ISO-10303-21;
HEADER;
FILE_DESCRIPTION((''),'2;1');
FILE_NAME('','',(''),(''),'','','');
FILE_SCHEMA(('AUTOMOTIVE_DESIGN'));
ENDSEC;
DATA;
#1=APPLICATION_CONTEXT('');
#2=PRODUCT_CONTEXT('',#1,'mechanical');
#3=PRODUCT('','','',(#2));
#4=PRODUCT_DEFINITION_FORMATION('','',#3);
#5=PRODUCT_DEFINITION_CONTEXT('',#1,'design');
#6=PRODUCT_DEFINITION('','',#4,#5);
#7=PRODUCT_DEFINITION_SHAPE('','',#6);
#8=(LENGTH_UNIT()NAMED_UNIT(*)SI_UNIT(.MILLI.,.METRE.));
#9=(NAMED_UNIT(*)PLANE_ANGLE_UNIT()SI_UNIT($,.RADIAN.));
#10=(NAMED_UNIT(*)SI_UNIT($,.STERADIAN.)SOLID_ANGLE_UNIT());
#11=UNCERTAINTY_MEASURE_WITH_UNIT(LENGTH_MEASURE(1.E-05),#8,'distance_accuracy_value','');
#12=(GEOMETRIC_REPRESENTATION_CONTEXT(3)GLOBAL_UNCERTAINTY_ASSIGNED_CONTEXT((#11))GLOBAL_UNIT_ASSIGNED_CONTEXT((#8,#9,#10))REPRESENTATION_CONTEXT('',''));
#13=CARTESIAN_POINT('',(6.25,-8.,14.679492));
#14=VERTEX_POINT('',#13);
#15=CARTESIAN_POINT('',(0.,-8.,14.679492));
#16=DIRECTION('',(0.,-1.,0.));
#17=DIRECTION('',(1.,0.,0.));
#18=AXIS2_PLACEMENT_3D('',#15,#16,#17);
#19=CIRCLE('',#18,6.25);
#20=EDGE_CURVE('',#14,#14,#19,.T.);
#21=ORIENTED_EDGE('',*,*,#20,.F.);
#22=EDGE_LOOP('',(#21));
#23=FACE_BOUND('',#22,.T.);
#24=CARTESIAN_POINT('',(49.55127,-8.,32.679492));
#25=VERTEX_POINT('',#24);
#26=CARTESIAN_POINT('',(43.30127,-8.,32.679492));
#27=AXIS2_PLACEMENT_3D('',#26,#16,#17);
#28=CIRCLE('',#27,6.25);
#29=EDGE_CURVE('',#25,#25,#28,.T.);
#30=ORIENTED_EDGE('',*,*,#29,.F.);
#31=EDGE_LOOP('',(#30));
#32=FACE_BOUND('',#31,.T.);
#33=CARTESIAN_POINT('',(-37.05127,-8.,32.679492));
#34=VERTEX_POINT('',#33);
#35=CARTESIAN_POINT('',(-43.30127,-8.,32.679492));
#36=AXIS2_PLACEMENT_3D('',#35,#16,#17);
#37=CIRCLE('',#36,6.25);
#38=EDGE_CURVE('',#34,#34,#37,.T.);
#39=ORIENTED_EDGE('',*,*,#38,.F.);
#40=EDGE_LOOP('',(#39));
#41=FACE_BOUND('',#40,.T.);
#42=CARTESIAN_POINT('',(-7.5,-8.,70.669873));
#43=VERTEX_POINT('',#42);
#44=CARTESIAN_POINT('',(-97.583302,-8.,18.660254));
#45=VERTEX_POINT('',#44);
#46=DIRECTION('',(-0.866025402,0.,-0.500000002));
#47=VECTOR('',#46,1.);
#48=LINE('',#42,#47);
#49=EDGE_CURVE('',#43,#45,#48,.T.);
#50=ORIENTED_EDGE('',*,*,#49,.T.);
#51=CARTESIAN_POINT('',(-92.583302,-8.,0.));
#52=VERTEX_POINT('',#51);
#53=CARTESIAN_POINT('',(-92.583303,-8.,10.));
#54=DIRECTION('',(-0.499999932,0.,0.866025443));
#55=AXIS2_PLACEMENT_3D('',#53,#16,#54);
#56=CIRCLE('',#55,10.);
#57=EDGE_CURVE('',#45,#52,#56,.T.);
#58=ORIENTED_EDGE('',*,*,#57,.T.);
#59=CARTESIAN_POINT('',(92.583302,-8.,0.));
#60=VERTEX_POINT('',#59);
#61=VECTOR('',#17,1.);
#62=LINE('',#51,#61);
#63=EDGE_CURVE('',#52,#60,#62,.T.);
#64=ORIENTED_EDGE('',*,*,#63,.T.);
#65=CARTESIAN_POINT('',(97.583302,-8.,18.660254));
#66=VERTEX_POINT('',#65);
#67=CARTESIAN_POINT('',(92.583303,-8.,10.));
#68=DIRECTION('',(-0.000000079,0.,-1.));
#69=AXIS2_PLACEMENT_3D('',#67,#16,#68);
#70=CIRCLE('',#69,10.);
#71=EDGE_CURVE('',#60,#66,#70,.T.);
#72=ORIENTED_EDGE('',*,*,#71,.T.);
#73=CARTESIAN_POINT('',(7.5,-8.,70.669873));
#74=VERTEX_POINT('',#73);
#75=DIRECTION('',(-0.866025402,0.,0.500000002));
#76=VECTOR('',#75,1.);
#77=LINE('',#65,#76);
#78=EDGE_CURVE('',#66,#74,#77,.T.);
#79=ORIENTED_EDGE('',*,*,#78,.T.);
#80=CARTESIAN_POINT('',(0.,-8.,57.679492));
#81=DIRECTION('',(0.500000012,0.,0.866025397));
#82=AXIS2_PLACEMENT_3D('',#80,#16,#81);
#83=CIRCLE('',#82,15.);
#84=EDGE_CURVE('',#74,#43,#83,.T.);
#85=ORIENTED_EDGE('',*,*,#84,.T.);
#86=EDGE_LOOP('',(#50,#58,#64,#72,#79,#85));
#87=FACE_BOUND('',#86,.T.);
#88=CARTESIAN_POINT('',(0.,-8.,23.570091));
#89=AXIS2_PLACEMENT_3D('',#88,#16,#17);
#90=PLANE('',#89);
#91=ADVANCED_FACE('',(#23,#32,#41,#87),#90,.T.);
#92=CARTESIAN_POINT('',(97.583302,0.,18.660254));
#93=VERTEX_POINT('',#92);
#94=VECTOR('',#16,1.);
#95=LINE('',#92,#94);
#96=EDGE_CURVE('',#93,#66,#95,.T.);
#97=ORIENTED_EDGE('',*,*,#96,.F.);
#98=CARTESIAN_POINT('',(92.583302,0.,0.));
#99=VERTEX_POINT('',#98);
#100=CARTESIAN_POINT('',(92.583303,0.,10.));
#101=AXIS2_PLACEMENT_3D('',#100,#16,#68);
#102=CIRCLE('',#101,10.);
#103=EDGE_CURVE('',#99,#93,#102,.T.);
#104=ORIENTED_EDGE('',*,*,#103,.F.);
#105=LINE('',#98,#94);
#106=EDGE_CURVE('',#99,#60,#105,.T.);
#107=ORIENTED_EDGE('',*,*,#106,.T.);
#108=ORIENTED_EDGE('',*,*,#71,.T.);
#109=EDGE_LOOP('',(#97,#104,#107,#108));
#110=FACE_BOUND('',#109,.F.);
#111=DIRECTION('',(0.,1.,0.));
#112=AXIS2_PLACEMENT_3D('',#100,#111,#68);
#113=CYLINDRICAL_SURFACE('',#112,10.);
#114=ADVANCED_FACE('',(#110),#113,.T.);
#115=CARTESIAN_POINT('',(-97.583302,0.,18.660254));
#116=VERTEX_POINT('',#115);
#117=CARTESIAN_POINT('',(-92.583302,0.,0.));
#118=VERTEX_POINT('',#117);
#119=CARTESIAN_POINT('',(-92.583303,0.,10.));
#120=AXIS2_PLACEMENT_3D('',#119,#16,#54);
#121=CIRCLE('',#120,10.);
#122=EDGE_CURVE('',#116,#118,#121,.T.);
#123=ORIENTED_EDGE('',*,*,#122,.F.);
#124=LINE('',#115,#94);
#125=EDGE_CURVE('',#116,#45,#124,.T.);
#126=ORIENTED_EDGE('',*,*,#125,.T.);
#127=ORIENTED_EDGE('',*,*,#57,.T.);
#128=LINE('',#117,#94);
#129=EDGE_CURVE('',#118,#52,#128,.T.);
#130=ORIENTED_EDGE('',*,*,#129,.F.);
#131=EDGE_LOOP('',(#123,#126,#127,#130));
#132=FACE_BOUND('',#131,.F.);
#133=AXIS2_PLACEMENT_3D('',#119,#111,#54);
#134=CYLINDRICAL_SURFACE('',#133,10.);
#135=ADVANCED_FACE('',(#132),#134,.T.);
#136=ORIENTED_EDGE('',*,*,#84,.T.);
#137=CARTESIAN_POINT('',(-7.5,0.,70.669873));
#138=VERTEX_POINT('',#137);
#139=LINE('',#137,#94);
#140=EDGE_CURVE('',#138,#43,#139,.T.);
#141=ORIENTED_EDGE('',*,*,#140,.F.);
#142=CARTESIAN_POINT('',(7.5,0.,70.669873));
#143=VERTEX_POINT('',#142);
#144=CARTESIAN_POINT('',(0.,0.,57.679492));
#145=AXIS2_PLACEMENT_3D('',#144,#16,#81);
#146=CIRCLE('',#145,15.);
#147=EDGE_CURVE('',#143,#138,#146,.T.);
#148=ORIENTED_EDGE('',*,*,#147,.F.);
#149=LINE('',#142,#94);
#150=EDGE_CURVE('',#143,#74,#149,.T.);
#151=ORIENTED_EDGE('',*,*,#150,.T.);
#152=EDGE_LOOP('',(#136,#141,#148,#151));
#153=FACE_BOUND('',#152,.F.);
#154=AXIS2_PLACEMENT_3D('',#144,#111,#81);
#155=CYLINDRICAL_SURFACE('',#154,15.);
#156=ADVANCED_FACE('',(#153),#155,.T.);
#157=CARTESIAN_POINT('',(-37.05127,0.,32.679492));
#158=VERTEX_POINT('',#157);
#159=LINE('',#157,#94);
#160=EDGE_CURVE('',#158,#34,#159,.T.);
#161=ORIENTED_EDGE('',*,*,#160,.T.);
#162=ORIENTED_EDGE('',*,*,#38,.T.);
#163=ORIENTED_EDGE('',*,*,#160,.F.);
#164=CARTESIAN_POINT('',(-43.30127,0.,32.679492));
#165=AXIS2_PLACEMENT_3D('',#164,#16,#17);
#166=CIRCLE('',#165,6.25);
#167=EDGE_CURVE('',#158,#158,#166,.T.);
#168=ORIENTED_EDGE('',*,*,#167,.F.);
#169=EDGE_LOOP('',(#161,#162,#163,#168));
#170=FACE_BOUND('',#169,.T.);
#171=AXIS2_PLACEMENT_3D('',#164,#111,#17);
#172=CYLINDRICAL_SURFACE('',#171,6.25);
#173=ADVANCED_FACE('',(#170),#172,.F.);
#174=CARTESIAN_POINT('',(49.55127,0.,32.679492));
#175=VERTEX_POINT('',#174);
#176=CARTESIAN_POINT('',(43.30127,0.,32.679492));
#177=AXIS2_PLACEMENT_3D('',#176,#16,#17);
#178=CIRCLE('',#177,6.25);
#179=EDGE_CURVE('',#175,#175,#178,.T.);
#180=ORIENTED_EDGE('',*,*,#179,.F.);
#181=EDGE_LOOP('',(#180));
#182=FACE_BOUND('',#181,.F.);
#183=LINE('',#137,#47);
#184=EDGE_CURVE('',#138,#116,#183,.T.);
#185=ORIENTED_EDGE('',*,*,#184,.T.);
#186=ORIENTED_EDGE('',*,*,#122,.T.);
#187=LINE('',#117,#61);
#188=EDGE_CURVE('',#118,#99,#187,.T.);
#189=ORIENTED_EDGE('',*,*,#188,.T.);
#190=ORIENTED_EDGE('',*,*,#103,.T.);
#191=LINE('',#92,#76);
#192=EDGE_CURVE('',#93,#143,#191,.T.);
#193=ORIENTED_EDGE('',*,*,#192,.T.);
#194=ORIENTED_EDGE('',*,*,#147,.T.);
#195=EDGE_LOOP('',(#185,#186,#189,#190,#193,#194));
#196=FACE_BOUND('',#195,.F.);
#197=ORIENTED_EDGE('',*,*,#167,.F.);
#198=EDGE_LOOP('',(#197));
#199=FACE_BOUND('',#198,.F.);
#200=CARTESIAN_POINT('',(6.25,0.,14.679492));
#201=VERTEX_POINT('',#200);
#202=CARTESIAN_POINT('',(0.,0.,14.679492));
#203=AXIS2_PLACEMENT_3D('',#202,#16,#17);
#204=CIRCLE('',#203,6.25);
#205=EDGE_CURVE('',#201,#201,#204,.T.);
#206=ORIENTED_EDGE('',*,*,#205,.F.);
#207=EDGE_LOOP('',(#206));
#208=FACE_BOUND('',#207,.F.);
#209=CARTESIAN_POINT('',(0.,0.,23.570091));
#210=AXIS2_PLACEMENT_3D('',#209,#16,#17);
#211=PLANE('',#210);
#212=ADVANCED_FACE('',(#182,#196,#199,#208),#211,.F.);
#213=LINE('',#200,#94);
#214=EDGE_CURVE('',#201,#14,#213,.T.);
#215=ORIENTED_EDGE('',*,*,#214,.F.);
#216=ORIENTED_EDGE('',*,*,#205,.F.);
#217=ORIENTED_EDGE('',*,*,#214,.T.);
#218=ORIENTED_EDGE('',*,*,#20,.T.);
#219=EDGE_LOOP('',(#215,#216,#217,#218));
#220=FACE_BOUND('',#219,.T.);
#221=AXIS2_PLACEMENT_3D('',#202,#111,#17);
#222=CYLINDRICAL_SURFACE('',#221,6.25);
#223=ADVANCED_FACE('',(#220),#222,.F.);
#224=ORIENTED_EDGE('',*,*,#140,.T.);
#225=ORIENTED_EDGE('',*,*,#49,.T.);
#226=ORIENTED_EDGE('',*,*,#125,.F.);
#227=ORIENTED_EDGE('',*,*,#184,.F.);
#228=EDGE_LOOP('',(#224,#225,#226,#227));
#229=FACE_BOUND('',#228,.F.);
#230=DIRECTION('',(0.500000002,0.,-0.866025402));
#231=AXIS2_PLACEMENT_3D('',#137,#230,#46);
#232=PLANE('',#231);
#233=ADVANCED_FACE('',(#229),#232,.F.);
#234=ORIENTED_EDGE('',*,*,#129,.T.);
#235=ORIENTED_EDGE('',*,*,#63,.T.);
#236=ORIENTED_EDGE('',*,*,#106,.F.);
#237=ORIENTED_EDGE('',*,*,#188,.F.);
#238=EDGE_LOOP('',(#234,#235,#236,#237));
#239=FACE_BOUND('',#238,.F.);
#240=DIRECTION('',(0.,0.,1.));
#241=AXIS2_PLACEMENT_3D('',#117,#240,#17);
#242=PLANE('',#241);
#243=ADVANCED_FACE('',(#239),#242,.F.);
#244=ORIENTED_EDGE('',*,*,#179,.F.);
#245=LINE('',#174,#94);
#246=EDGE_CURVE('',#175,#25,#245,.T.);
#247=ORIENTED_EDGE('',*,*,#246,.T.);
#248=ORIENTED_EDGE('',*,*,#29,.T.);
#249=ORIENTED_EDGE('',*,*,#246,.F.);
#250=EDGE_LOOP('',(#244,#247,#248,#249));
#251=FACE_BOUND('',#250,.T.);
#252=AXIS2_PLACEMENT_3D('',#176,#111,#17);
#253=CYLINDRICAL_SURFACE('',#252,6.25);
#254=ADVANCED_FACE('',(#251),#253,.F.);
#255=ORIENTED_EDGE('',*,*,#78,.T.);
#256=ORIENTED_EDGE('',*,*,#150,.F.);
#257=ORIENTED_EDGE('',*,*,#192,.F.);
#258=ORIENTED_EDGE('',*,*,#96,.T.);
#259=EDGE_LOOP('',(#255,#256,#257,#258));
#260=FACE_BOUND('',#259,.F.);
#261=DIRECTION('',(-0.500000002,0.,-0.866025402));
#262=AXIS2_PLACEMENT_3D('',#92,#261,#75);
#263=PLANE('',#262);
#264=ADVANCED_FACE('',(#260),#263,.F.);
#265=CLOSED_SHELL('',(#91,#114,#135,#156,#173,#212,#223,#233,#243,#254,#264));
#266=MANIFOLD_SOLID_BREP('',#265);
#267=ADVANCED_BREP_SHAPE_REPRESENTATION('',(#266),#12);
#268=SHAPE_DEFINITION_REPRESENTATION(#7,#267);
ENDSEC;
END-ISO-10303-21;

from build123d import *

# Parameters (mm, degrees)
F0_R     = 6.25
F1_DEPTH = 8


with BuildPart() as f1:
    # F0 (on Front) → F1 (new body)
    with BuildSketch(Plane.XZ):
        with BuildLine():
            Line((-92.583302, 0), (0, 0))
            Line((0, 0), (92.583302, 0))
            ThreePointArc((92.583302, 0), (102.242561, 7.41181), (97.583302, 18.660254))
            Line((97.583302, 18.660254), (7.5, 70.669873))
            ThreePointArc((7.5, 70.669873), (0, 72.679492), (-7.5, 70.669873))
            Line((-7.5, 70.669873), (-97.583302, 18.660254))
            ThreePointArc((-97.583302, 18.660254), (-102.242561, 7.41181), (-92.583302, 0))
        make_face()
        with Locations((0, 14.679492)):
            Circle(F0_R, mode=Mode.SUBTRACT)
        with Locations((-43.30127, 32.679492)):
            Circle(F0_R, mode=Mode.SUBTRACT)
        with Locations((43.30127, 32.679492)):
            Circle(F0_R, mode=Mode.SUBTRACT)
    extrude(amount=F1_DEPTH)


solid = f1.part
